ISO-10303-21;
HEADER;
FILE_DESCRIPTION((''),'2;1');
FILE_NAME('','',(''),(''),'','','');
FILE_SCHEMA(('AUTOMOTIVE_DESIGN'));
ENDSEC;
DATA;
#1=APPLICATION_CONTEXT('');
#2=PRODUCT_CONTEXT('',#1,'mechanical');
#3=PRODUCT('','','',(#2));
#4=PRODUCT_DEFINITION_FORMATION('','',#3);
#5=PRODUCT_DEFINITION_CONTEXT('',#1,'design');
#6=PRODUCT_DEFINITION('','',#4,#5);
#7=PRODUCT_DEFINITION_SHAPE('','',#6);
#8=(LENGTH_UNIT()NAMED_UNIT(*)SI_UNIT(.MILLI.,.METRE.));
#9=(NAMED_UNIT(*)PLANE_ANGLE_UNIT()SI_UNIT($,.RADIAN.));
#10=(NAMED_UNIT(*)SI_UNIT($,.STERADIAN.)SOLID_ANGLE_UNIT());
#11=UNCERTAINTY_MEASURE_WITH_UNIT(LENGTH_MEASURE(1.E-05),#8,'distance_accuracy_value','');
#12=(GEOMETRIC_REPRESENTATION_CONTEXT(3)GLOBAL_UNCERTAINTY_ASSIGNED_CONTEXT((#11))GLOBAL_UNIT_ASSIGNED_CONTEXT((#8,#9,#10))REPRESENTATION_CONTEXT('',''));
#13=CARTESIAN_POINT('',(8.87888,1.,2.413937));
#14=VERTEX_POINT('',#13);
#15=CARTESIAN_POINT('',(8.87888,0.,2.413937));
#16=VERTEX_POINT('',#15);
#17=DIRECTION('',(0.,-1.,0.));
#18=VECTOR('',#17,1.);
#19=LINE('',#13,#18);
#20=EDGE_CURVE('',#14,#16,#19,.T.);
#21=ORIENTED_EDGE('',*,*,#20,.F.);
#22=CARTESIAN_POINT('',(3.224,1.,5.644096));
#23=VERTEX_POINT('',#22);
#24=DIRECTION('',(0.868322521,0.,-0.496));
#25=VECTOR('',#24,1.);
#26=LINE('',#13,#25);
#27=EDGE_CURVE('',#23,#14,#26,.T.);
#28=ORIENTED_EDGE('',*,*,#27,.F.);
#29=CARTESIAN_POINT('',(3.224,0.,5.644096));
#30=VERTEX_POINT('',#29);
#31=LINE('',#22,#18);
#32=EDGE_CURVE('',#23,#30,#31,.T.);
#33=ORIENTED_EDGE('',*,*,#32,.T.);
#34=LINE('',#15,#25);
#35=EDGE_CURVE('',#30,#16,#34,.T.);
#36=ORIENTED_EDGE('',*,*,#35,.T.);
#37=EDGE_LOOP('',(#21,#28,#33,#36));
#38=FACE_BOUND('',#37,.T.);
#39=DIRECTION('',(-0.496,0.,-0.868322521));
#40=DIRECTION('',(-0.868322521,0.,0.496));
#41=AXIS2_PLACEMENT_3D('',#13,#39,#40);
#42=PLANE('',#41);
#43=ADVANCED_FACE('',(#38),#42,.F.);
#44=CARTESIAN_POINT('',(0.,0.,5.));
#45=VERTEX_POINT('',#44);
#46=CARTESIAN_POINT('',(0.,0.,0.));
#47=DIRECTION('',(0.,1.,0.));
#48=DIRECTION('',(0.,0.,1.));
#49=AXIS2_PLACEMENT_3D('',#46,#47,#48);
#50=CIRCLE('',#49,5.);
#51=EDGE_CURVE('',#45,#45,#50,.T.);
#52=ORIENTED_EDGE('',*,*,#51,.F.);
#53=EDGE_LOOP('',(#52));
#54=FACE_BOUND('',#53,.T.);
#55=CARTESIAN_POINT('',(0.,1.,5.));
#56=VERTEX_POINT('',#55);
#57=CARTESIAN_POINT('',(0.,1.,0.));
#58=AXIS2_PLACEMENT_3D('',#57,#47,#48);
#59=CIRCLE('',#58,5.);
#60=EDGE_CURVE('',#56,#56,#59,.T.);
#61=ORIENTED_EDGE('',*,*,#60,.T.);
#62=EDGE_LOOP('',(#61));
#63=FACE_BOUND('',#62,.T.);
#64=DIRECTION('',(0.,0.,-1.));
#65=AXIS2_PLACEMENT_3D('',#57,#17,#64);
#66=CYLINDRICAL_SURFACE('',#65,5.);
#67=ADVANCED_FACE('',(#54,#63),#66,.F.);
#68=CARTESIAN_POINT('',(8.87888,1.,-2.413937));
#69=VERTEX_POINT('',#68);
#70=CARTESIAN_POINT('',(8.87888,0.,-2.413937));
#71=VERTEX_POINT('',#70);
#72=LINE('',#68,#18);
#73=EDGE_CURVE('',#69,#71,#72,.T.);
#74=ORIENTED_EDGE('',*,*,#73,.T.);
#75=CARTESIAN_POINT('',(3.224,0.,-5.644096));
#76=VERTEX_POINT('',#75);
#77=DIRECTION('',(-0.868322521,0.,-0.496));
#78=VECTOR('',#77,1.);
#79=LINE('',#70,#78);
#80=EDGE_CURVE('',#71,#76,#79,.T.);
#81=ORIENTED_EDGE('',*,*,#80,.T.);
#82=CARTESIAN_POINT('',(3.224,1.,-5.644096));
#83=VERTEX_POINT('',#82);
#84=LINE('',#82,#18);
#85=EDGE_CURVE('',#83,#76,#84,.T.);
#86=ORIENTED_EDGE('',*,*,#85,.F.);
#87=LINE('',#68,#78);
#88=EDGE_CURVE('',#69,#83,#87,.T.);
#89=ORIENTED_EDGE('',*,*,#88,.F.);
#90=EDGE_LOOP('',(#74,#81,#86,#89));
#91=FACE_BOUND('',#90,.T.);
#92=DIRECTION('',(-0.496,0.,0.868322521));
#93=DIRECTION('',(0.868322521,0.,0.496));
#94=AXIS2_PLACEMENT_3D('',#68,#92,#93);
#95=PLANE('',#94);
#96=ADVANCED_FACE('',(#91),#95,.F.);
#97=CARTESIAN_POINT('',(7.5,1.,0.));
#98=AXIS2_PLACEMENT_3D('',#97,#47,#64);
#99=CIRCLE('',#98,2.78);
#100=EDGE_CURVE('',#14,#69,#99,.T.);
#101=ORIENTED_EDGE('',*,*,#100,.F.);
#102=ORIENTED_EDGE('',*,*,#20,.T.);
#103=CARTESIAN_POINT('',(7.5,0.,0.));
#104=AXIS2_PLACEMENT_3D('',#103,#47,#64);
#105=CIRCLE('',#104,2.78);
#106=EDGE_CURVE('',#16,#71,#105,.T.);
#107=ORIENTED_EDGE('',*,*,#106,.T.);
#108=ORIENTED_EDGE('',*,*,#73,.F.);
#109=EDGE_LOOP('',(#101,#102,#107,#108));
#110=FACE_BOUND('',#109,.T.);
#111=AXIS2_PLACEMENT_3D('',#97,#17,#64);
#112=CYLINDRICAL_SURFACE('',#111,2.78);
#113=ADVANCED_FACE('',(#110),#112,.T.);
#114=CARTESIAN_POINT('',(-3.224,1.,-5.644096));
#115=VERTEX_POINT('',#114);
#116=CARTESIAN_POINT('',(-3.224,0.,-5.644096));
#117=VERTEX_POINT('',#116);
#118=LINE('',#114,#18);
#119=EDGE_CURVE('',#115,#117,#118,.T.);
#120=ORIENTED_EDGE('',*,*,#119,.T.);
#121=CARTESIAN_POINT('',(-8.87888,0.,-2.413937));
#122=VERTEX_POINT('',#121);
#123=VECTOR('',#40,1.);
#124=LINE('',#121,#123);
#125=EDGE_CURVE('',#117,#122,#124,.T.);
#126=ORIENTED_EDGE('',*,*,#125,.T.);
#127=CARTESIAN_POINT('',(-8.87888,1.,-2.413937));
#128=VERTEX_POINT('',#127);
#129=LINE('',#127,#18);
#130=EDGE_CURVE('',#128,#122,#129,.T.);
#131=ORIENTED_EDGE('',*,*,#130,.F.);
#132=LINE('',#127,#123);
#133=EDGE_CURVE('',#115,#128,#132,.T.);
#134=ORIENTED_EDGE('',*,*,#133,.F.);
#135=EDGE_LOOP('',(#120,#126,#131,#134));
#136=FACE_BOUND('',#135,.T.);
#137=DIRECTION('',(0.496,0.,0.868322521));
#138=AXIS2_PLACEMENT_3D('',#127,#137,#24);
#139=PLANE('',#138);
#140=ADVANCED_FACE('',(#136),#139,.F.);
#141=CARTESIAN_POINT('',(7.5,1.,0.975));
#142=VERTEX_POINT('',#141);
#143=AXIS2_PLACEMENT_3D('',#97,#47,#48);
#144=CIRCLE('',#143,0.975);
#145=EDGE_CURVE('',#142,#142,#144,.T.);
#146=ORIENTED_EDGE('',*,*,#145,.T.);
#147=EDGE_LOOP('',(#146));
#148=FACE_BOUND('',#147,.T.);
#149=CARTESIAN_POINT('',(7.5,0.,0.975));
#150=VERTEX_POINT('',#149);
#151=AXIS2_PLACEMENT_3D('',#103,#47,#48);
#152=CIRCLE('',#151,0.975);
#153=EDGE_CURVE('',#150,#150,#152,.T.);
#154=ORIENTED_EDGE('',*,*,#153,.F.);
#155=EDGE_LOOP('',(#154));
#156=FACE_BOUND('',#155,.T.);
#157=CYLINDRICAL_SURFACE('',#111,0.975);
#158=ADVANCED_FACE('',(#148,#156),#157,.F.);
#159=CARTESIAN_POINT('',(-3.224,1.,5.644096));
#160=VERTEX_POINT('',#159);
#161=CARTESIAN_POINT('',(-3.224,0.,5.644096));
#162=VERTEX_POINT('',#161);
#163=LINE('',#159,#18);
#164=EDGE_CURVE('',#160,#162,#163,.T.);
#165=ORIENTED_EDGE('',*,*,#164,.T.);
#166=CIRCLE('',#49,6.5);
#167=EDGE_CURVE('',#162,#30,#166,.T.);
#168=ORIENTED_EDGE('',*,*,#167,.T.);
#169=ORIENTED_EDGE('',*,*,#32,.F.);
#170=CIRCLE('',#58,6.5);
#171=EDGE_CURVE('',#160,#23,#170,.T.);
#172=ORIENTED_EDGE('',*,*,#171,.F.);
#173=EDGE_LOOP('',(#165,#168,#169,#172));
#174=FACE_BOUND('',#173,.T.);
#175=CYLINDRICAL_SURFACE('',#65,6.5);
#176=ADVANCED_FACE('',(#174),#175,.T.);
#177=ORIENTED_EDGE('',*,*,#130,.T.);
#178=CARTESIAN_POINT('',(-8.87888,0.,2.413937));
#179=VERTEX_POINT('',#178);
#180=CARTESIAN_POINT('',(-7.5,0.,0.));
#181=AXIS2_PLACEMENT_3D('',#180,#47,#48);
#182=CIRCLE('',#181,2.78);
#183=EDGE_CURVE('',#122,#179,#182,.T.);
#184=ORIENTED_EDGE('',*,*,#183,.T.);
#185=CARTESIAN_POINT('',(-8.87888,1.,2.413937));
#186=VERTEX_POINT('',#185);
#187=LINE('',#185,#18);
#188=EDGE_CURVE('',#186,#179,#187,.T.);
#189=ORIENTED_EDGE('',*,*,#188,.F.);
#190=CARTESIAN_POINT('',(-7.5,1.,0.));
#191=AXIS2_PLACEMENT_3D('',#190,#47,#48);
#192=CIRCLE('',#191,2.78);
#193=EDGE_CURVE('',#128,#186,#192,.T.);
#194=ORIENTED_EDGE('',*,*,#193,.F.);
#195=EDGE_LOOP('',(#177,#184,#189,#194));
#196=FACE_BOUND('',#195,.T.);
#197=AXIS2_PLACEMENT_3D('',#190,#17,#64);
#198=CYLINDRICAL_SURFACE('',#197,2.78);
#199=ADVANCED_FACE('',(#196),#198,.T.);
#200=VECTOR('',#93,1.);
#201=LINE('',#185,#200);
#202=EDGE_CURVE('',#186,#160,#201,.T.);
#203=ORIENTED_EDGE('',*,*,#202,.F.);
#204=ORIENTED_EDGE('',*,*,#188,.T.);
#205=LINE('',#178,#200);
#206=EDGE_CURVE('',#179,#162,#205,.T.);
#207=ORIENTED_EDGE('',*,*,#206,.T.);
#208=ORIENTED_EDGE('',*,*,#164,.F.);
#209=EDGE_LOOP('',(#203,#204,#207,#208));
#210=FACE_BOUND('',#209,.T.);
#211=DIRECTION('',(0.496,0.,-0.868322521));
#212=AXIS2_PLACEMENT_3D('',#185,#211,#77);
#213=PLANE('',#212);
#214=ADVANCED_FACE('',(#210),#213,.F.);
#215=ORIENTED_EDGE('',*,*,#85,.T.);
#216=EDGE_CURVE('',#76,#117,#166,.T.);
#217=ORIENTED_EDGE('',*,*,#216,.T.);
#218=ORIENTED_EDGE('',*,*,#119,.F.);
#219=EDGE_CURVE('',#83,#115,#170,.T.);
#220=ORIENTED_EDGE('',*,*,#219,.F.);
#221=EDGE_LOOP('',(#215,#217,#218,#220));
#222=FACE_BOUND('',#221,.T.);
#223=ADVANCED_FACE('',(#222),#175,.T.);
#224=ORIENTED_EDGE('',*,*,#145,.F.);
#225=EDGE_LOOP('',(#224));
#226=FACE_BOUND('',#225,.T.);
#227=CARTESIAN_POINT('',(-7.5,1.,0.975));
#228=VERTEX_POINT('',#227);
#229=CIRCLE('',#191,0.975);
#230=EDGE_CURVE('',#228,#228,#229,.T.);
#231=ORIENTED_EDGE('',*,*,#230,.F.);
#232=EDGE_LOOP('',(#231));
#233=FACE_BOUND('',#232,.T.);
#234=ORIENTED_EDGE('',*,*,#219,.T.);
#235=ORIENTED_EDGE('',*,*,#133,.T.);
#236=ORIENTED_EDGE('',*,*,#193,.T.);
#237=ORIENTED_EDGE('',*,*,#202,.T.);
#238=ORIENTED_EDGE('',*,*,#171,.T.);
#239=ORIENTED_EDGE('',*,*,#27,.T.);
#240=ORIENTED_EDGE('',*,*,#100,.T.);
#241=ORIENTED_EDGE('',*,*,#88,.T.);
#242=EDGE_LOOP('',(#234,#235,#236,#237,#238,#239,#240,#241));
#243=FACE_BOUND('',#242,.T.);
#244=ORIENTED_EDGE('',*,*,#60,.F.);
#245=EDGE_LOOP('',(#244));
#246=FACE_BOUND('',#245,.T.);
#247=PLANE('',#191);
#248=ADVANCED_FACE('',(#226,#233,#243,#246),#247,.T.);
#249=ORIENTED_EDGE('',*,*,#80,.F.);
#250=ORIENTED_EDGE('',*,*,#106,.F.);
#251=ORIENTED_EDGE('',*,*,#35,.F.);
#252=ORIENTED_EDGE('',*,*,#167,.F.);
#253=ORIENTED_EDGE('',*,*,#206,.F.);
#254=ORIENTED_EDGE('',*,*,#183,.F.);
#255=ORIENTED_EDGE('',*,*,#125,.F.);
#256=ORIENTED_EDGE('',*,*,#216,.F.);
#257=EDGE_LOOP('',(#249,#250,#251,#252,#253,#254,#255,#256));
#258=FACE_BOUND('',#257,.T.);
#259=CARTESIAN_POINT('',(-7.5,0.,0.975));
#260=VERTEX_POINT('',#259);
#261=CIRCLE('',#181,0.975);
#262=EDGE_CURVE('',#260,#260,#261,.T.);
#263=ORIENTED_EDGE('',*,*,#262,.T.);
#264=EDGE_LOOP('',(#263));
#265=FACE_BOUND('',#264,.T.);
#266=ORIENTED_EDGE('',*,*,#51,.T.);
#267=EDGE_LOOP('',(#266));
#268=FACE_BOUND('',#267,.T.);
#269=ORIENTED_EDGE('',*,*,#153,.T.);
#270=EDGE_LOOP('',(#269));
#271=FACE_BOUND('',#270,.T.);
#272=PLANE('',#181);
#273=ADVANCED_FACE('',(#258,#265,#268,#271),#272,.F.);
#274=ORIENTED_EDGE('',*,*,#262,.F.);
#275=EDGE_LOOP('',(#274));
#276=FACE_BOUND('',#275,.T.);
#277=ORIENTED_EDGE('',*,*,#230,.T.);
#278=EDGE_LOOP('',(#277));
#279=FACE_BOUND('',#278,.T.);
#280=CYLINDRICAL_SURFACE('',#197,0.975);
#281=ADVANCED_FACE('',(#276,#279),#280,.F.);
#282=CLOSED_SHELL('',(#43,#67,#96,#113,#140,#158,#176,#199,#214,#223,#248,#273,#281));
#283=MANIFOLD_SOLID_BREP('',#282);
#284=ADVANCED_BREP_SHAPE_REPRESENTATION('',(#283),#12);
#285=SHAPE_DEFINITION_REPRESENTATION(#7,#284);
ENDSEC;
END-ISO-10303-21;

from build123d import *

# Parameters (mm, degrees)
SKETCH1_R           = 5
SKETCH1_R_2         = 0.975
BOSS_EXTRUDE1_DEPTH = 1


with BuildPart() as part:
    # Sketch1 → Boss-Extrude1 (new body)
    with BuildSketch(Plane(origin=(0, 0, 0), x_dir=(1, 0, 0), z_dir=(0, 1, 0))):
        with BuildLine():
            Line((-8.87888, 2.413936608), (-3.224, 5.644096385))
            ThreePointArc((-3.224, 5.644096385), (0, 6.5), (3.224, 5.644096385))
            Line((3.224, 5.644096385), (8.87888, 2.413936608))
            ThreePointArc((8.87888, 2.413936608), (10.28, 0), (8.87888, -2.413936608))
            Line((8.87888, -2.413936608), (3.224, -5.644096385))
            ThreePointArc((3.224, -5.644096385), (0, -6.5), (-3.224, -5.644096385))
            Line((-3.224, -5.644096385), (-8.87888, -2.413936608))
            ThreePointArc((-8.87888, -2.413936608), (-10.28, 0), (-8.87888, 2.413936608))
        make_face()
        with Locations(Location((0, 0, 0), (0, 0, 270))):
            Circle(SKETCH1_R, mode=Mode.SUBTRACT)
        with Locations(Location((-7.5, 0, 0), (0, 0, 270))):
            Circle(SKETCH1_R_2, mode=Mode.SUBTRACT)
        with Locations(Location((7.5, 0, 0), (0, 0, 270))):
            Circle(SKETCH1_R_2, mode=Mode.SUBTRACT)
    extrude(amount=BOSS_EXTRUDE1_DEPTH)


solid = part.part
